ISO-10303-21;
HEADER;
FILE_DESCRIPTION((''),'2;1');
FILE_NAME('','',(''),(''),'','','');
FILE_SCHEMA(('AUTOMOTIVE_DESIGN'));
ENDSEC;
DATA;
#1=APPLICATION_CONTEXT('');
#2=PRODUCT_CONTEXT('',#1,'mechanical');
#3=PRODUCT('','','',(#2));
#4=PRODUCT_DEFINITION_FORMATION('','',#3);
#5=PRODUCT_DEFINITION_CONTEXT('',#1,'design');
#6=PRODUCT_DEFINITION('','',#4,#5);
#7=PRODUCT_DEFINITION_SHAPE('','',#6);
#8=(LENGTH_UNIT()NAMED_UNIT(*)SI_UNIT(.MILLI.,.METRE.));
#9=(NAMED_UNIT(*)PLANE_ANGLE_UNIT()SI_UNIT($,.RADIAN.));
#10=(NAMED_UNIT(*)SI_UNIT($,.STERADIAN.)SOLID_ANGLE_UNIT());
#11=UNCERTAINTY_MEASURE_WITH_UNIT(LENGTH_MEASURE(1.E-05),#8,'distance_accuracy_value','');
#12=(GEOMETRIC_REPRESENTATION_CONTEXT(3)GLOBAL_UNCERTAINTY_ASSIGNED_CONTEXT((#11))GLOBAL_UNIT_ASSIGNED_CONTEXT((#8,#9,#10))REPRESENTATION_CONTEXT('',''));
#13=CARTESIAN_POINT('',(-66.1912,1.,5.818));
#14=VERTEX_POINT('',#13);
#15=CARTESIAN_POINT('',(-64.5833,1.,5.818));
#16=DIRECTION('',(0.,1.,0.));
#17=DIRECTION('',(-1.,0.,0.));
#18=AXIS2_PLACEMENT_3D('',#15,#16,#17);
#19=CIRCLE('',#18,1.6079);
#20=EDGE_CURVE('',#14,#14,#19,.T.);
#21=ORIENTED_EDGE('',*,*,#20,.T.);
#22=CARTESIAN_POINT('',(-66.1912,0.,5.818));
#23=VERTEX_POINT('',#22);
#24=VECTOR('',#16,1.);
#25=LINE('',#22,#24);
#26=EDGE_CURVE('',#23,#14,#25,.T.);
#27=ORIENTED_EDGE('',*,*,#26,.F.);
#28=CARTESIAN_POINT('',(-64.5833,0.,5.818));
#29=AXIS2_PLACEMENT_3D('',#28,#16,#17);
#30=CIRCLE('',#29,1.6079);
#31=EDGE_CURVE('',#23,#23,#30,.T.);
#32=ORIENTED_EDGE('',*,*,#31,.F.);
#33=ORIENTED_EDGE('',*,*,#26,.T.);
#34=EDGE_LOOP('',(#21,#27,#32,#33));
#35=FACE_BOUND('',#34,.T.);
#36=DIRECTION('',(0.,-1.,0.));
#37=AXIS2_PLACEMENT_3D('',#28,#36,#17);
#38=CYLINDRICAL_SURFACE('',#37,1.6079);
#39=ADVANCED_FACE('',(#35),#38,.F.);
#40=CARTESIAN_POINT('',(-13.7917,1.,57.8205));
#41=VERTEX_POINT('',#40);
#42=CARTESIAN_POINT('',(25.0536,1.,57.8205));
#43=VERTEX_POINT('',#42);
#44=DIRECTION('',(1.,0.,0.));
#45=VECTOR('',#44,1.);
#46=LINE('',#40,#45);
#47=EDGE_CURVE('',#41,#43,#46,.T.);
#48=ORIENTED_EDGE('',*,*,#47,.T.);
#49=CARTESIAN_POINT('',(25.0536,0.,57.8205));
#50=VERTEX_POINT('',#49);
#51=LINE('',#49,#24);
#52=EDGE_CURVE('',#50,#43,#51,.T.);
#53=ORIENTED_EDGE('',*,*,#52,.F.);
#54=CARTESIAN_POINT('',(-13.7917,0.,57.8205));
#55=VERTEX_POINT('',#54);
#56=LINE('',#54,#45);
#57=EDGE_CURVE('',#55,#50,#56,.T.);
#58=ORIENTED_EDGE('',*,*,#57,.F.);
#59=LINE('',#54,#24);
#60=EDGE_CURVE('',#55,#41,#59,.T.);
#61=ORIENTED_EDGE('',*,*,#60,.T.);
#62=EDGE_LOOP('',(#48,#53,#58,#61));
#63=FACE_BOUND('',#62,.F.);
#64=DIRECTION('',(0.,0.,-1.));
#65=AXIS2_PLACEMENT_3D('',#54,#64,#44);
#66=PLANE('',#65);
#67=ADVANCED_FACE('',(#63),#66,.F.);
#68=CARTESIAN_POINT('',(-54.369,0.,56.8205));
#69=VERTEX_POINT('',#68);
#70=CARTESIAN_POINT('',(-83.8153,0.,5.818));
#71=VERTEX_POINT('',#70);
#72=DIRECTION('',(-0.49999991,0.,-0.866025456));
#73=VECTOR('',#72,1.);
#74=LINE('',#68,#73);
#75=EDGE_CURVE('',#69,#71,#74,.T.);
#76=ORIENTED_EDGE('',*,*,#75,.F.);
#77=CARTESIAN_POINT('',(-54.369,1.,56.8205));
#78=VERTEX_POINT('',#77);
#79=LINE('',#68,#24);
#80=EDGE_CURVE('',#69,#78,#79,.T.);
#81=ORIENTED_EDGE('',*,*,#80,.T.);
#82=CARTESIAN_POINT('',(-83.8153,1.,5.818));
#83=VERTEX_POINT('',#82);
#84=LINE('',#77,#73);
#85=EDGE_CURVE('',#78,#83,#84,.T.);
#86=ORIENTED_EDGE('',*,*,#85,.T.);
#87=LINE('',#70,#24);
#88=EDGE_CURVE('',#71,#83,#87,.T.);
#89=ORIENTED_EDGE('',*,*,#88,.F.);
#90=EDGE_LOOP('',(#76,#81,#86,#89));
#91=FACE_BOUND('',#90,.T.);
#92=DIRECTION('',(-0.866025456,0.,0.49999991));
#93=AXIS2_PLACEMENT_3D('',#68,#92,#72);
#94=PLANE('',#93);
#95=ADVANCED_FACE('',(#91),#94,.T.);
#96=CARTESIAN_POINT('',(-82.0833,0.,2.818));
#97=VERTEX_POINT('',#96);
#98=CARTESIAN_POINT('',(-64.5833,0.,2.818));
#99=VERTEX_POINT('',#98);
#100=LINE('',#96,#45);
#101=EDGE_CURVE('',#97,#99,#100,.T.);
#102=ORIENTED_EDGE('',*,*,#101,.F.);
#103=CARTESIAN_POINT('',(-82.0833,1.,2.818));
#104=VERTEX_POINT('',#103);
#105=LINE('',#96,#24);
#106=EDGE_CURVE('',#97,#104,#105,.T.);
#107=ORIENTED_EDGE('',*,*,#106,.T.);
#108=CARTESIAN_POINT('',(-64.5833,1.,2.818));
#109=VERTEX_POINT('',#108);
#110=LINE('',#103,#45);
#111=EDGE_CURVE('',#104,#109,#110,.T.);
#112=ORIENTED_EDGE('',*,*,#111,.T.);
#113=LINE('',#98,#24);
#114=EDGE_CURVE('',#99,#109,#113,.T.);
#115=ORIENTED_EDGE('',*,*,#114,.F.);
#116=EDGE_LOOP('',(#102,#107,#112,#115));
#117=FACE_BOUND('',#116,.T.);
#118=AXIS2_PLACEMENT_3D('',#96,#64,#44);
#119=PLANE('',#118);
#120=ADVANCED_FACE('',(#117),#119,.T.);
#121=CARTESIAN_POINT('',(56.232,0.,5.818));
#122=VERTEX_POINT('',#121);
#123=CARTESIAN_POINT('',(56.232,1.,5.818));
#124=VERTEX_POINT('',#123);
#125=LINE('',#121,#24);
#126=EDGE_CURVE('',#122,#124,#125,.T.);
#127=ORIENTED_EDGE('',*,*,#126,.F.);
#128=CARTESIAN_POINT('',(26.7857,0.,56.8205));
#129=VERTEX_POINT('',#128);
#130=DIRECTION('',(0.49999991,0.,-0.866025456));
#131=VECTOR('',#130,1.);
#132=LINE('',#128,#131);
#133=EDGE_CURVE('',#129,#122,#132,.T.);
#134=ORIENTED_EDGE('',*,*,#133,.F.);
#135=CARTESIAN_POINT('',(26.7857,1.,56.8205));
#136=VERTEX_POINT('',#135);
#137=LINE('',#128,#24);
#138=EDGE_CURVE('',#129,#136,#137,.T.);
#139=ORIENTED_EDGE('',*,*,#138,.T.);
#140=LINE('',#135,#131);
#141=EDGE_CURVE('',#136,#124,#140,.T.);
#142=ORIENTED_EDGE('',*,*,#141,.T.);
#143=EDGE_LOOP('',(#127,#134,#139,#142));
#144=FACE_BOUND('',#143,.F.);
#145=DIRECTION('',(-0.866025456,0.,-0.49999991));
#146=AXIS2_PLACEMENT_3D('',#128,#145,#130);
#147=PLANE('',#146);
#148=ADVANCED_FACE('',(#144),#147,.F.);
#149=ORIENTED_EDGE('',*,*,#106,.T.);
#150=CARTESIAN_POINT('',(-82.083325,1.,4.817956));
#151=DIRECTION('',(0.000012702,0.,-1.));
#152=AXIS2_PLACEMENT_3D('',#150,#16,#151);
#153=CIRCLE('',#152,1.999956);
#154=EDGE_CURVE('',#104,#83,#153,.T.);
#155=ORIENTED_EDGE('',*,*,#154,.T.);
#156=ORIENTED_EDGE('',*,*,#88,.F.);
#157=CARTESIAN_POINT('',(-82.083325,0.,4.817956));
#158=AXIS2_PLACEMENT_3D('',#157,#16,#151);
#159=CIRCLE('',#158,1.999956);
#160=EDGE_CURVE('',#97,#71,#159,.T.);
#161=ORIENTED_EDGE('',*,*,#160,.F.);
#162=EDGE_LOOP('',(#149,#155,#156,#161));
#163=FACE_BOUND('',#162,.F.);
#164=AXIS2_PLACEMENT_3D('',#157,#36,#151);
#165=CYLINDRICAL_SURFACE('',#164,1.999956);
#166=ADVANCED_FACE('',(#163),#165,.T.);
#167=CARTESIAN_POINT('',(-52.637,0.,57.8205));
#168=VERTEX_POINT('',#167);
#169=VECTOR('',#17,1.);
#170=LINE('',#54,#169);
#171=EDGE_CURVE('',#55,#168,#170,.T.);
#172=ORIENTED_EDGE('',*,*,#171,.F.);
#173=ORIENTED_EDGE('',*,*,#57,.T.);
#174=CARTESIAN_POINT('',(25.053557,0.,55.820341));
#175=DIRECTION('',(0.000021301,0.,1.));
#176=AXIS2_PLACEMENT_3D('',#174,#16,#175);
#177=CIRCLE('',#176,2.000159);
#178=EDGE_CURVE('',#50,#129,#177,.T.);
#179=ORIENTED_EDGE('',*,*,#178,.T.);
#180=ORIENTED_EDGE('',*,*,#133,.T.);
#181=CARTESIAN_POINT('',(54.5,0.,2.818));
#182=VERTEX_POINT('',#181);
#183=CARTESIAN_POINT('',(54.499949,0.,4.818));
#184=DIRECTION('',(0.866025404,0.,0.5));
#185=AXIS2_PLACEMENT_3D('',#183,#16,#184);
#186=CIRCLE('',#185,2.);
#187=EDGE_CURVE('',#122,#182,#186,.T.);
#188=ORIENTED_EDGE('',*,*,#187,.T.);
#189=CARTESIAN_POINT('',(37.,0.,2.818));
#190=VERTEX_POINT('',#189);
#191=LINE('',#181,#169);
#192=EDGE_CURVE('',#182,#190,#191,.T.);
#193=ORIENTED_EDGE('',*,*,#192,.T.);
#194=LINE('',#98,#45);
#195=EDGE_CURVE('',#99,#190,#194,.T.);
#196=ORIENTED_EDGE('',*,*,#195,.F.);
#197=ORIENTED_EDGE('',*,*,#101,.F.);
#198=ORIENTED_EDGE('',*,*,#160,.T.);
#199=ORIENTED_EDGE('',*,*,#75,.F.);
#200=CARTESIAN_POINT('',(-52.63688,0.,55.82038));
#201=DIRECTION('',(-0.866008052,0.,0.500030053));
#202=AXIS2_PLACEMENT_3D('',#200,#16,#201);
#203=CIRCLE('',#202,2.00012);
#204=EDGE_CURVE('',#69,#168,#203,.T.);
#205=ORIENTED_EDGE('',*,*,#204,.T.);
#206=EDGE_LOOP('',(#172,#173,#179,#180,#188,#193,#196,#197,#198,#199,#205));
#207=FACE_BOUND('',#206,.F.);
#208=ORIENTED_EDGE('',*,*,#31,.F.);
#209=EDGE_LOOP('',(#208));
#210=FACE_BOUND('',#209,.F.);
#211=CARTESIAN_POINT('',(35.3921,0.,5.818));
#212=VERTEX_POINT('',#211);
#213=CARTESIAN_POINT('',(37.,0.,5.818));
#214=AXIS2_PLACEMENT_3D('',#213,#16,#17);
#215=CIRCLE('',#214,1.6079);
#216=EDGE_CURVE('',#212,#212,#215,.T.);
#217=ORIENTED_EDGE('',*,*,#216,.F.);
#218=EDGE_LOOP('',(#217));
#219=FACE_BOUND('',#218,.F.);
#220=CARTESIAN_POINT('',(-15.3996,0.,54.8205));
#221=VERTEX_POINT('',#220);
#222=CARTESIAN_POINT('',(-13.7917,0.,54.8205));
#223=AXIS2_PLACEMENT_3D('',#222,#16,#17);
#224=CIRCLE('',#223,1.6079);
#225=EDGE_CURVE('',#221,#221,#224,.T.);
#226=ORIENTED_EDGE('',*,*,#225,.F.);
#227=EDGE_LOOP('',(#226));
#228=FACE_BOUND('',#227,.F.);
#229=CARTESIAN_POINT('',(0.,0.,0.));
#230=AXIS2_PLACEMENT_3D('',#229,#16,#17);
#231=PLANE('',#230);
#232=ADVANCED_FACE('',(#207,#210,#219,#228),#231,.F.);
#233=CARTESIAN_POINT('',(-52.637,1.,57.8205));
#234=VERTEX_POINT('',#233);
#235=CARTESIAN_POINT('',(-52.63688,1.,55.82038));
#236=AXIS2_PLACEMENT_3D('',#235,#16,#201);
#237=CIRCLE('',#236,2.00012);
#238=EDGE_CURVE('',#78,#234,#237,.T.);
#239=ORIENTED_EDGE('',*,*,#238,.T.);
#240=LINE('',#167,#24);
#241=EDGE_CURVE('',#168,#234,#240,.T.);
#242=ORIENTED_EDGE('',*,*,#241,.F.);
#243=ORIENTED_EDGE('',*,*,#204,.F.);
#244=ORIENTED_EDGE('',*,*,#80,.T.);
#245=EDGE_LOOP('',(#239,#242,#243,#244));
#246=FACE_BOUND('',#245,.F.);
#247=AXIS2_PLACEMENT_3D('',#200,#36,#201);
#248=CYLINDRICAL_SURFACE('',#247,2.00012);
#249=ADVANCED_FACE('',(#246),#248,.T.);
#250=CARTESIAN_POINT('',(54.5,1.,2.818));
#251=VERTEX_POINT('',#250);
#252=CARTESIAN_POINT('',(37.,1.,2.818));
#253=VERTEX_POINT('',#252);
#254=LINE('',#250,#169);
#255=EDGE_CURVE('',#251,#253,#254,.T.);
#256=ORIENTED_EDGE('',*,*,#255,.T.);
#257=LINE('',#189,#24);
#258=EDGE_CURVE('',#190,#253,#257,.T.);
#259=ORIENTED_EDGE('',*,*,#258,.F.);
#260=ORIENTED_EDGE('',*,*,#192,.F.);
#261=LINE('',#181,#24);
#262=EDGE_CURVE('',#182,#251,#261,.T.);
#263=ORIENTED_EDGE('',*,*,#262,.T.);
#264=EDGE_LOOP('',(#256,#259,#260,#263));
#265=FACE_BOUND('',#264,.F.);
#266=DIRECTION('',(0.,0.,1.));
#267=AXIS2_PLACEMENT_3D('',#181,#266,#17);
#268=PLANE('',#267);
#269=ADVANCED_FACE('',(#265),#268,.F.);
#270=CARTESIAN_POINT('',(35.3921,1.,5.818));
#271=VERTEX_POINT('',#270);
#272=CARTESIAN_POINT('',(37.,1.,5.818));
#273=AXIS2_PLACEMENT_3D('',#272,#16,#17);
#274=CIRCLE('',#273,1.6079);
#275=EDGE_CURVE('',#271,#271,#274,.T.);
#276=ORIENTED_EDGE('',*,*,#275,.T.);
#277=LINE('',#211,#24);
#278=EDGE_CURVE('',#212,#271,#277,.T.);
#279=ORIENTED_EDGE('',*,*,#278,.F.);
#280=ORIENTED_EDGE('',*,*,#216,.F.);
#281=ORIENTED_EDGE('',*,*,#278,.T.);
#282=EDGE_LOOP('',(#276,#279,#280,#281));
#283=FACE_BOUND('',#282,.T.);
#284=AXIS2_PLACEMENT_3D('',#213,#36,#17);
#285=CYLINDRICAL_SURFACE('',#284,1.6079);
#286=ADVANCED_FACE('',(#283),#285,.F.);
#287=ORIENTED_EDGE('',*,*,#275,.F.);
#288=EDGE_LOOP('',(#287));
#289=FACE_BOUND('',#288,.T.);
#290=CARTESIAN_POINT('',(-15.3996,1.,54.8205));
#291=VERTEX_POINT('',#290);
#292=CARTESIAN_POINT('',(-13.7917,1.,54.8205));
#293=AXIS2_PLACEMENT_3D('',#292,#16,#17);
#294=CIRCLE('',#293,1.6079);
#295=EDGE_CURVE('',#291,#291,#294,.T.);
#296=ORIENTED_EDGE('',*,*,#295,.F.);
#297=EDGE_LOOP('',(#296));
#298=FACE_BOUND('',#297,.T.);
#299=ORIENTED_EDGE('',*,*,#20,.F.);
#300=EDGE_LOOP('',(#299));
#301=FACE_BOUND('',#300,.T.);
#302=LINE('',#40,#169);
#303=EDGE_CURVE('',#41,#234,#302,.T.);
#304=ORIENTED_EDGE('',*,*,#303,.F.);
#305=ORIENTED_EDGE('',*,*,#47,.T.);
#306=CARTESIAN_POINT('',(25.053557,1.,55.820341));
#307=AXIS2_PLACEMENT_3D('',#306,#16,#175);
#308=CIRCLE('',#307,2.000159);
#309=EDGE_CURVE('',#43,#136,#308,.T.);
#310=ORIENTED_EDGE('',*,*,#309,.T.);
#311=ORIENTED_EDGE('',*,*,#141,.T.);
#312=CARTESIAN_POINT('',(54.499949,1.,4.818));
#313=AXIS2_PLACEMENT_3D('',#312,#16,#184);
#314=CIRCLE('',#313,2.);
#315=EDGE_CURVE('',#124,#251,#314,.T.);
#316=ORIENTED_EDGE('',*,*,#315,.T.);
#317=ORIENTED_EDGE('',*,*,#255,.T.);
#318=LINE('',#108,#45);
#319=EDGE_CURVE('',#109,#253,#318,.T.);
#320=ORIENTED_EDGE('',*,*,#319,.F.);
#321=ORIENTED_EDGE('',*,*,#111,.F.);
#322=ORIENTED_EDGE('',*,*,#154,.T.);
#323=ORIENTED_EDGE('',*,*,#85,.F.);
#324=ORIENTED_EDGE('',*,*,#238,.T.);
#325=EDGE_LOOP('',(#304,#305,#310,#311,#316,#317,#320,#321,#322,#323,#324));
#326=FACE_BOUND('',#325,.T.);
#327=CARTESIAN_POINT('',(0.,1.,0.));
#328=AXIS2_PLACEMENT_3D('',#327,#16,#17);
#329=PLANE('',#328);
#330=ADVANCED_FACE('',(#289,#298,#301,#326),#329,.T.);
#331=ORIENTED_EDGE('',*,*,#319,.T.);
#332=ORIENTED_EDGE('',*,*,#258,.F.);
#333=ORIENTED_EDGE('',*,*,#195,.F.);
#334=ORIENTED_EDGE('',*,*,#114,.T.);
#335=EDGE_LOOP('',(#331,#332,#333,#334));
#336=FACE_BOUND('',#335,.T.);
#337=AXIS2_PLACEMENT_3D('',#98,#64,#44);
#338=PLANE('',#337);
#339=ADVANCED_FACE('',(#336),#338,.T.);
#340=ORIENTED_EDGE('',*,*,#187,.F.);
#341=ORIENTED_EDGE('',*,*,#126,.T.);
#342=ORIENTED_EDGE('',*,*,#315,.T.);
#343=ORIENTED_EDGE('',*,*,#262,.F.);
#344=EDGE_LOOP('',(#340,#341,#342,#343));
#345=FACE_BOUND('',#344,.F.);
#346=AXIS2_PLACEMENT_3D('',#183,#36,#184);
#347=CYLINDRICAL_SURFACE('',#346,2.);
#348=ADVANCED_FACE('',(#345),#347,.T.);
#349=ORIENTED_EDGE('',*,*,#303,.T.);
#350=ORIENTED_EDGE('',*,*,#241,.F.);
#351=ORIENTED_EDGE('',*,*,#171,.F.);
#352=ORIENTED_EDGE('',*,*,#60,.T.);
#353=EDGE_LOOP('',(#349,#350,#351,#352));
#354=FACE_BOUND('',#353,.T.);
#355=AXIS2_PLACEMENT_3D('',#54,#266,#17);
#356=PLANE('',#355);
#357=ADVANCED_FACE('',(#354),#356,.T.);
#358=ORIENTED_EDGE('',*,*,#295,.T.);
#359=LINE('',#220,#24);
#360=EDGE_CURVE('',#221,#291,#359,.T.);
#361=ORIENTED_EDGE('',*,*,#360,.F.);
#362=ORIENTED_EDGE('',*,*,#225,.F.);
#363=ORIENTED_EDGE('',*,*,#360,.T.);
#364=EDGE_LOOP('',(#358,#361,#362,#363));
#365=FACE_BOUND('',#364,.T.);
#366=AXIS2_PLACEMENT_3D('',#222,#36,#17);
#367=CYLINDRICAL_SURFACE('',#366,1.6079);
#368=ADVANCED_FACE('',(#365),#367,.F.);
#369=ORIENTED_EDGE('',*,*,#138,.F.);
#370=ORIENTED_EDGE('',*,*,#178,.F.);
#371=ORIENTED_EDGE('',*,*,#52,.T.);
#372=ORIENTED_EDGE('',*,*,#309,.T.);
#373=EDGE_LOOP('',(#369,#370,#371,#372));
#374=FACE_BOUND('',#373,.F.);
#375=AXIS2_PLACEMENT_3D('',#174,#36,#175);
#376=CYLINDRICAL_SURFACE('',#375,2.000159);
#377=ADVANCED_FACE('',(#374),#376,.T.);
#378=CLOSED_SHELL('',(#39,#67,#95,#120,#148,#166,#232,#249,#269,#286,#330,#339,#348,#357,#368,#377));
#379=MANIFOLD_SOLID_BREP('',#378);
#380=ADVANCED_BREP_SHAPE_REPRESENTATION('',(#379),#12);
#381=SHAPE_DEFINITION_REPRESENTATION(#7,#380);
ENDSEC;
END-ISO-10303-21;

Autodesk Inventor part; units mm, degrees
ref_plane "YZ Plane" through (0, 0, 0) normal (1, 0, 0) x (0, 1, 0)
ref_plane "XZ Plane" through (0, 0, 0) normal (0, 1, 0) x (-1, 0, 0)
ref_plane "XY Plane" through (0, 0, 0) normal (0, 0, 1) x (1, 0, 0)
sketch "Sketch1" plane through (0, 0, 0) normal (0, 1, 0) x (-1, 0, 0)
  circle A0 centre (-37, 5.818) radius 1.6079
  circle A1 centre (13.7917, 54.8205) radius 1.6079
  line L0 (13.7917, 57.8205) -> (-25.0536, 57.8205)
  line L1 (-26.7857, 56.8205) -> (-56.232, 5.818)
  line L2 (64.5833, 2.818) -> (-37, 2.818)
  line L3 (-54.5, 2.818) -> (-37, 2.818)
  line L4 (13.7917, 57.8205) -> (52.637, 57.8205)
  line L5 (54.369, 56.8205) -> (83.8153, 5.818)
  line L6 (82.0833, 2.818) -> (64.5833, 2.818)
  circle A2 centre (64.5833, 5.818) radius 1.6079
  arc A3 (82.0833, 2.818) -> (83.8153, 5.818) centre (82.0833, 4.818) ccw
  arc A4 (-56.232, 5.818) -> (-54.5, 2.818) centre (-54.5, 4.818) ccw
  arc A5 (-25.0536, 57.8205) -> (-26.7857, 56.8205) centre (-25.0536, 55.8205) ccw
  arc A6 (54.369, 56.8205) -> (52.637, 57.8205) centre (52.637, 55.8205) ccw
  dimension "d13" = 2
  dimension "d14" = 2
extrude "Extrusion1" add sketch "Sketch1" along normal blind 1
properties part number "Veroboard"
